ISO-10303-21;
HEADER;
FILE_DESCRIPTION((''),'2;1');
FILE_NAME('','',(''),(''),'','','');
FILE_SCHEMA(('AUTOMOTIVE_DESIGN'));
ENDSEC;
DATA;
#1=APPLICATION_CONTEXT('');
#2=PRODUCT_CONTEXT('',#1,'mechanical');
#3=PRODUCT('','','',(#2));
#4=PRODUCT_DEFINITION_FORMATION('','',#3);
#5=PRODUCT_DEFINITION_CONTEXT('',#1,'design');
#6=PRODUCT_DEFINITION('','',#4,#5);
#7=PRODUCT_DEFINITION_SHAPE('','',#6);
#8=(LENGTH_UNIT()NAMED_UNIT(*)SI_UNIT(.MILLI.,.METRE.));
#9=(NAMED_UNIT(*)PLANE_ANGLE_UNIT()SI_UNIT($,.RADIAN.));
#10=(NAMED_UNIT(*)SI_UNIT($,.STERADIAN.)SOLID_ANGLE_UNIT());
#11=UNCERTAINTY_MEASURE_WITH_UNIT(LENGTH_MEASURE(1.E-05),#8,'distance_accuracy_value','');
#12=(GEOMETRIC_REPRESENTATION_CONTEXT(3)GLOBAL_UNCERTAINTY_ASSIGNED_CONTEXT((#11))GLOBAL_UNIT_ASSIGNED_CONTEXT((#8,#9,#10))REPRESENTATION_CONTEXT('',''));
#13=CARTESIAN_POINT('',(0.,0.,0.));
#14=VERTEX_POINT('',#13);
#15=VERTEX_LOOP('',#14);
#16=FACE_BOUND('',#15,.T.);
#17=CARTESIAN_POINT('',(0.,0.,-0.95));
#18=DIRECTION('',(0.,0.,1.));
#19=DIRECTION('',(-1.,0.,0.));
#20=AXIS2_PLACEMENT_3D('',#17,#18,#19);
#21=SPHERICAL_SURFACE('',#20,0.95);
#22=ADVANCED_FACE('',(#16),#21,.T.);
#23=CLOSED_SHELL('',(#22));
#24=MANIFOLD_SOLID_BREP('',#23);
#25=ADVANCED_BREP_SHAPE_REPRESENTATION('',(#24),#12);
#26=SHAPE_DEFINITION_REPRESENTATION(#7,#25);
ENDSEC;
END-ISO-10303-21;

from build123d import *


with BuildPart() as part:
    # Sketch1 → Revolve1 (revolve)
    with BuildSketch(Plane(origin=(0, 0, 0), x_dir=(1, 0, 0), z_dir=(0, 1, 0))):
        with BuildLine():
            Line((0, 0), (0, 1.9))
            ThreePointArc((0, 1.9), (-0.95, 0.95), (0, 0))
        make_face()
    revolve(axis=Axis((0, 0, 0), (0, 0, -1)))


solid = part.part
